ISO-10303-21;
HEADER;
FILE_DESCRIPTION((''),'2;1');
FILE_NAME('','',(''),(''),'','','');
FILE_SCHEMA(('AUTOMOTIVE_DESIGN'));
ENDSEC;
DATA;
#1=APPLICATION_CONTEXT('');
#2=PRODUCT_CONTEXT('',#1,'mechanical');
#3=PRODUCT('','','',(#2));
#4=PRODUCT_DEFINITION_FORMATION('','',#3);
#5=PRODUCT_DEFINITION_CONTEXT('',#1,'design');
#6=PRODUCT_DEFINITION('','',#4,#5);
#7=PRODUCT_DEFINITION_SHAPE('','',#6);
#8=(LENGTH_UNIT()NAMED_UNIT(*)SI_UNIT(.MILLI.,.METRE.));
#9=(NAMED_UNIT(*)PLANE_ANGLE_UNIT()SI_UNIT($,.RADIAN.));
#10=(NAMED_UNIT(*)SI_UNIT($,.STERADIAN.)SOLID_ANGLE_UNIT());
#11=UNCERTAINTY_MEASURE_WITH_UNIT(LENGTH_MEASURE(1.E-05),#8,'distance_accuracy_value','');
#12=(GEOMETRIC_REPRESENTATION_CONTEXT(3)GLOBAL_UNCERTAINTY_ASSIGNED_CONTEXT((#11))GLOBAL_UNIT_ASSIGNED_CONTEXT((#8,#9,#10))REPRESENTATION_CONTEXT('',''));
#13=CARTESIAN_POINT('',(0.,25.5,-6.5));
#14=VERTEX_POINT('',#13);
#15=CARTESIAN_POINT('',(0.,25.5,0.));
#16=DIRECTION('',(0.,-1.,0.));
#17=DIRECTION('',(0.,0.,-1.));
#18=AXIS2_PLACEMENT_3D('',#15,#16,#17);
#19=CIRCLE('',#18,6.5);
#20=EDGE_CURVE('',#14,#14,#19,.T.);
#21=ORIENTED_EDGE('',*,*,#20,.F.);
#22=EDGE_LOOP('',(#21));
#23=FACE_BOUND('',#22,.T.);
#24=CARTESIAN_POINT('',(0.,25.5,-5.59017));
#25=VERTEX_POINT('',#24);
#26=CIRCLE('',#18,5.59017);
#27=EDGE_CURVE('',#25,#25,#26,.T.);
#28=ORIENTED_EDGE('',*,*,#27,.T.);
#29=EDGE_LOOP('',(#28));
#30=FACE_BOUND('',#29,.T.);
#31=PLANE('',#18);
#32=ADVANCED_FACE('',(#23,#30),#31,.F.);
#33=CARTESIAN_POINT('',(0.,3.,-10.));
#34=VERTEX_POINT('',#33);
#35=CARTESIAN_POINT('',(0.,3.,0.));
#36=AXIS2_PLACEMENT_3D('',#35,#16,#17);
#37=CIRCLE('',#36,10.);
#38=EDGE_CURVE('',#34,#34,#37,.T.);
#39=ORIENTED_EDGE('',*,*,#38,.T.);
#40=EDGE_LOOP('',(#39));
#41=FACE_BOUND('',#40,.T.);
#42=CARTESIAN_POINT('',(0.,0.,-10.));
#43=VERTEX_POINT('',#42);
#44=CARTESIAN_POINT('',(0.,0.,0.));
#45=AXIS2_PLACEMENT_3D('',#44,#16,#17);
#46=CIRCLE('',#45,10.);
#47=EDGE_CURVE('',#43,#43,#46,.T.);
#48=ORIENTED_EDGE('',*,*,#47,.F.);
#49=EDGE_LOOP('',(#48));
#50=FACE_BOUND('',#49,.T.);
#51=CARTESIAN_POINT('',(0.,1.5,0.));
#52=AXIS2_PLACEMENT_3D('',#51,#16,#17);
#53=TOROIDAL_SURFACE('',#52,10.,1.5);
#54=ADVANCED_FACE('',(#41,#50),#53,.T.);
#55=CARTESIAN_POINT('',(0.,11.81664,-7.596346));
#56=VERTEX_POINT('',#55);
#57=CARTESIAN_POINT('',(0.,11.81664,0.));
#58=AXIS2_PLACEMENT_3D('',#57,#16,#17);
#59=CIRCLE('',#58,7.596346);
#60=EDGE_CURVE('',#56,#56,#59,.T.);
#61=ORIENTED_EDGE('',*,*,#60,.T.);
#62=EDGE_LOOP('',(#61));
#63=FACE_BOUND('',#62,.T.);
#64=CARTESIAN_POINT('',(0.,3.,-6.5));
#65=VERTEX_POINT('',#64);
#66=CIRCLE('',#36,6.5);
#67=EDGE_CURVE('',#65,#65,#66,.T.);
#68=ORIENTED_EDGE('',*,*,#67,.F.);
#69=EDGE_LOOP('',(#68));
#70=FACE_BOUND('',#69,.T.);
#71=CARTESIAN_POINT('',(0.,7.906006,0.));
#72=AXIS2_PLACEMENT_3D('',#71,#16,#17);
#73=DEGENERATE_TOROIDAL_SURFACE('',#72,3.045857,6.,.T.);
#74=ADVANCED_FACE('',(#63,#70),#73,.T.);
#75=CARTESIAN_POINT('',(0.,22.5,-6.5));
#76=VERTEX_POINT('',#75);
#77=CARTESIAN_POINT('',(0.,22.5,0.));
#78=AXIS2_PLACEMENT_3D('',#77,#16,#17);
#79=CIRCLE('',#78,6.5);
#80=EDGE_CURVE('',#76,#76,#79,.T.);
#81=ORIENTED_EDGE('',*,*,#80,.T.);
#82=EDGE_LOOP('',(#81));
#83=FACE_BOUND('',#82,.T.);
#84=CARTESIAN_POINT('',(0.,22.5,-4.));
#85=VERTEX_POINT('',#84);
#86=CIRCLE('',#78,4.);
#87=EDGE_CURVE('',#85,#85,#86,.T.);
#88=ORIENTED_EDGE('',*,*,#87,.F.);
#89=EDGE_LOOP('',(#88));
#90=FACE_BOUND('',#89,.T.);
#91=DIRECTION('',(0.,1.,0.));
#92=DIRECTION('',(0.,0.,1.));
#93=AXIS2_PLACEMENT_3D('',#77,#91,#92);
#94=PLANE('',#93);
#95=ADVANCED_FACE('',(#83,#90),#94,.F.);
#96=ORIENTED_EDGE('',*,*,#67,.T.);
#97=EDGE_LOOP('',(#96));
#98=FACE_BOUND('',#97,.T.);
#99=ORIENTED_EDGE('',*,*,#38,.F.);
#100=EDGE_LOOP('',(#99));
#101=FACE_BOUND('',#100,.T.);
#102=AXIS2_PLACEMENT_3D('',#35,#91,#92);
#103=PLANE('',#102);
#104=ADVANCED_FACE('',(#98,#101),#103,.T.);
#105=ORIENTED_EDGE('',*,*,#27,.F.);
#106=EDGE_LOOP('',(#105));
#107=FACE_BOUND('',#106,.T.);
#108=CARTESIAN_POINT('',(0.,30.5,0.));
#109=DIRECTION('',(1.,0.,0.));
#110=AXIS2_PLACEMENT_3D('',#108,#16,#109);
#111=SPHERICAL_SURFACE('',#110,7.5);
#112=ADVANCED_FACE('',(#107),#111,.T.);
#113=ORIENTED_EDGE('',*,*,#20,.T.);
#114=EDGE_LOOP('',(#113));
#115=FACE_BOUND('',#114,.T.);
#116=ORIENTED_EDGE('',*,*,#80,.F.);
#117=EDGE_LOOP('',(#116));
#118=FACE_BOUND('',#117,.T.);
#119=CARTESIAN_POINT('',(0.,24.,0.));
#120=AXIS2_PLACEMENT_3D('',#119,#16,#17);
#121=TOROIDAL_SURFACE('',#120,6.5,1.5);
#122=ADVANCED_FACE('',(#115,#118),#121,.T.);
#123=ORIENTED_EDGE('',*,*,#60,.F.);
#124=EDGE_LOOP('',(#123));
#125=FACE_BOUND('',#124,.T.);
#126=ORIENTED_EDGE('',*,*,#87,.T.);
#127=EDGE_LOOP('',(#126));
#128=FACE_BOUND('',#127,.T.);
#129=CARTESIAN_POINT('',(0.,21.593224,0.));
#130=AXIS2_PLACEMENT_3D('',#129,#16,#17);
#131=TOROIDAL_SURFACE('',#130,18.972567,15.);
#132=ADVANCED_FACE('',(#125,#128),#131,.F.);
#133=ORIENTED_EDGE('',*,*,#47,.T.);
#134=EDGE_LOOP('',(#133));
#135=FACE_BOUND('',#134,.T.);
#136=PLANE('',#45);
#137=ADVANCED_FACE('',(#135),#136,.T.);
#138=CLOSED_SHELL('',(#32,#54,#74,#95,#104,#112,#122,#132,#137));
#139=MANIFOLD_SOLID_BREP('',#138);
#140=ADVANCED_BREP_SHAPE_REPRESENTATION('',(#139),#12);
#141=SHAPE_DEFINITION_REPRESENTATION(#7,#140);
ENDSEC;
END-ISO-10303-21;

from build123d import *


with BuildPart() as part:
    # Sketch1 → Revolve2 (revolve)
    with BuildSketch(Plane.XY, mode=Mode.PRIVATE) as revolve2_sk:
        with BuildLine():
            Line((-10, 0), (0, 0))
            Line((0, 0), (0, 3))
            Line((0, 3), (-6.5, 3))
            Line((-6.5, 3), (-10, 3))
            ThreePointArc((-10, 3), (-11.5, 1.5), (-10, 0))
        make_face()
        with BuildLine():
            Line((-6.5, 3), (0, 3))
            Line((0, 3), (0, 22.5))
            Line((0, 22.5), (-4, 22.5))
            ThreePointArc((-4, 22.5), (-4.756442138, 16.807641551), (-7.596345767, 11.816639968))
            ThreePointArc((-7.596345767, 11.816639968), (-9, 7.165611038), (-6.5, 3))
        make_face()
        with BuildLine():
            Line((-4, 22.5), (0, 22.5))
            Line((0, 22.5), (0, 25.5))
            Line((0, 25.5), (-5.590169944, 25.5))
            Line((-5.590169944, 25.5), (-6.5, 25.5))
            ThreePointArc((-6.5, 25.5), (-8, 24), (-6.5, 22.5))
            Line((-6.5, 22.5), (-4, 22.5))
        make_face()
        with BuildLine():
            Line((-5.590169944, 25.5), (0, 25.5))
            Line((0, 25.5), (0, 38))
            ThreePointArc((0, 38), (-6.846531969, 33.561862178), (-5.590169944, 25.5))
        make_face()
    revolve(revolve2_sk.sketch.rotate(Axis((0, 0, 0), (0, 1, 0)), 270), axis=Axis((0, 0, 0), (0, 1, 0)))


solid = part.part
